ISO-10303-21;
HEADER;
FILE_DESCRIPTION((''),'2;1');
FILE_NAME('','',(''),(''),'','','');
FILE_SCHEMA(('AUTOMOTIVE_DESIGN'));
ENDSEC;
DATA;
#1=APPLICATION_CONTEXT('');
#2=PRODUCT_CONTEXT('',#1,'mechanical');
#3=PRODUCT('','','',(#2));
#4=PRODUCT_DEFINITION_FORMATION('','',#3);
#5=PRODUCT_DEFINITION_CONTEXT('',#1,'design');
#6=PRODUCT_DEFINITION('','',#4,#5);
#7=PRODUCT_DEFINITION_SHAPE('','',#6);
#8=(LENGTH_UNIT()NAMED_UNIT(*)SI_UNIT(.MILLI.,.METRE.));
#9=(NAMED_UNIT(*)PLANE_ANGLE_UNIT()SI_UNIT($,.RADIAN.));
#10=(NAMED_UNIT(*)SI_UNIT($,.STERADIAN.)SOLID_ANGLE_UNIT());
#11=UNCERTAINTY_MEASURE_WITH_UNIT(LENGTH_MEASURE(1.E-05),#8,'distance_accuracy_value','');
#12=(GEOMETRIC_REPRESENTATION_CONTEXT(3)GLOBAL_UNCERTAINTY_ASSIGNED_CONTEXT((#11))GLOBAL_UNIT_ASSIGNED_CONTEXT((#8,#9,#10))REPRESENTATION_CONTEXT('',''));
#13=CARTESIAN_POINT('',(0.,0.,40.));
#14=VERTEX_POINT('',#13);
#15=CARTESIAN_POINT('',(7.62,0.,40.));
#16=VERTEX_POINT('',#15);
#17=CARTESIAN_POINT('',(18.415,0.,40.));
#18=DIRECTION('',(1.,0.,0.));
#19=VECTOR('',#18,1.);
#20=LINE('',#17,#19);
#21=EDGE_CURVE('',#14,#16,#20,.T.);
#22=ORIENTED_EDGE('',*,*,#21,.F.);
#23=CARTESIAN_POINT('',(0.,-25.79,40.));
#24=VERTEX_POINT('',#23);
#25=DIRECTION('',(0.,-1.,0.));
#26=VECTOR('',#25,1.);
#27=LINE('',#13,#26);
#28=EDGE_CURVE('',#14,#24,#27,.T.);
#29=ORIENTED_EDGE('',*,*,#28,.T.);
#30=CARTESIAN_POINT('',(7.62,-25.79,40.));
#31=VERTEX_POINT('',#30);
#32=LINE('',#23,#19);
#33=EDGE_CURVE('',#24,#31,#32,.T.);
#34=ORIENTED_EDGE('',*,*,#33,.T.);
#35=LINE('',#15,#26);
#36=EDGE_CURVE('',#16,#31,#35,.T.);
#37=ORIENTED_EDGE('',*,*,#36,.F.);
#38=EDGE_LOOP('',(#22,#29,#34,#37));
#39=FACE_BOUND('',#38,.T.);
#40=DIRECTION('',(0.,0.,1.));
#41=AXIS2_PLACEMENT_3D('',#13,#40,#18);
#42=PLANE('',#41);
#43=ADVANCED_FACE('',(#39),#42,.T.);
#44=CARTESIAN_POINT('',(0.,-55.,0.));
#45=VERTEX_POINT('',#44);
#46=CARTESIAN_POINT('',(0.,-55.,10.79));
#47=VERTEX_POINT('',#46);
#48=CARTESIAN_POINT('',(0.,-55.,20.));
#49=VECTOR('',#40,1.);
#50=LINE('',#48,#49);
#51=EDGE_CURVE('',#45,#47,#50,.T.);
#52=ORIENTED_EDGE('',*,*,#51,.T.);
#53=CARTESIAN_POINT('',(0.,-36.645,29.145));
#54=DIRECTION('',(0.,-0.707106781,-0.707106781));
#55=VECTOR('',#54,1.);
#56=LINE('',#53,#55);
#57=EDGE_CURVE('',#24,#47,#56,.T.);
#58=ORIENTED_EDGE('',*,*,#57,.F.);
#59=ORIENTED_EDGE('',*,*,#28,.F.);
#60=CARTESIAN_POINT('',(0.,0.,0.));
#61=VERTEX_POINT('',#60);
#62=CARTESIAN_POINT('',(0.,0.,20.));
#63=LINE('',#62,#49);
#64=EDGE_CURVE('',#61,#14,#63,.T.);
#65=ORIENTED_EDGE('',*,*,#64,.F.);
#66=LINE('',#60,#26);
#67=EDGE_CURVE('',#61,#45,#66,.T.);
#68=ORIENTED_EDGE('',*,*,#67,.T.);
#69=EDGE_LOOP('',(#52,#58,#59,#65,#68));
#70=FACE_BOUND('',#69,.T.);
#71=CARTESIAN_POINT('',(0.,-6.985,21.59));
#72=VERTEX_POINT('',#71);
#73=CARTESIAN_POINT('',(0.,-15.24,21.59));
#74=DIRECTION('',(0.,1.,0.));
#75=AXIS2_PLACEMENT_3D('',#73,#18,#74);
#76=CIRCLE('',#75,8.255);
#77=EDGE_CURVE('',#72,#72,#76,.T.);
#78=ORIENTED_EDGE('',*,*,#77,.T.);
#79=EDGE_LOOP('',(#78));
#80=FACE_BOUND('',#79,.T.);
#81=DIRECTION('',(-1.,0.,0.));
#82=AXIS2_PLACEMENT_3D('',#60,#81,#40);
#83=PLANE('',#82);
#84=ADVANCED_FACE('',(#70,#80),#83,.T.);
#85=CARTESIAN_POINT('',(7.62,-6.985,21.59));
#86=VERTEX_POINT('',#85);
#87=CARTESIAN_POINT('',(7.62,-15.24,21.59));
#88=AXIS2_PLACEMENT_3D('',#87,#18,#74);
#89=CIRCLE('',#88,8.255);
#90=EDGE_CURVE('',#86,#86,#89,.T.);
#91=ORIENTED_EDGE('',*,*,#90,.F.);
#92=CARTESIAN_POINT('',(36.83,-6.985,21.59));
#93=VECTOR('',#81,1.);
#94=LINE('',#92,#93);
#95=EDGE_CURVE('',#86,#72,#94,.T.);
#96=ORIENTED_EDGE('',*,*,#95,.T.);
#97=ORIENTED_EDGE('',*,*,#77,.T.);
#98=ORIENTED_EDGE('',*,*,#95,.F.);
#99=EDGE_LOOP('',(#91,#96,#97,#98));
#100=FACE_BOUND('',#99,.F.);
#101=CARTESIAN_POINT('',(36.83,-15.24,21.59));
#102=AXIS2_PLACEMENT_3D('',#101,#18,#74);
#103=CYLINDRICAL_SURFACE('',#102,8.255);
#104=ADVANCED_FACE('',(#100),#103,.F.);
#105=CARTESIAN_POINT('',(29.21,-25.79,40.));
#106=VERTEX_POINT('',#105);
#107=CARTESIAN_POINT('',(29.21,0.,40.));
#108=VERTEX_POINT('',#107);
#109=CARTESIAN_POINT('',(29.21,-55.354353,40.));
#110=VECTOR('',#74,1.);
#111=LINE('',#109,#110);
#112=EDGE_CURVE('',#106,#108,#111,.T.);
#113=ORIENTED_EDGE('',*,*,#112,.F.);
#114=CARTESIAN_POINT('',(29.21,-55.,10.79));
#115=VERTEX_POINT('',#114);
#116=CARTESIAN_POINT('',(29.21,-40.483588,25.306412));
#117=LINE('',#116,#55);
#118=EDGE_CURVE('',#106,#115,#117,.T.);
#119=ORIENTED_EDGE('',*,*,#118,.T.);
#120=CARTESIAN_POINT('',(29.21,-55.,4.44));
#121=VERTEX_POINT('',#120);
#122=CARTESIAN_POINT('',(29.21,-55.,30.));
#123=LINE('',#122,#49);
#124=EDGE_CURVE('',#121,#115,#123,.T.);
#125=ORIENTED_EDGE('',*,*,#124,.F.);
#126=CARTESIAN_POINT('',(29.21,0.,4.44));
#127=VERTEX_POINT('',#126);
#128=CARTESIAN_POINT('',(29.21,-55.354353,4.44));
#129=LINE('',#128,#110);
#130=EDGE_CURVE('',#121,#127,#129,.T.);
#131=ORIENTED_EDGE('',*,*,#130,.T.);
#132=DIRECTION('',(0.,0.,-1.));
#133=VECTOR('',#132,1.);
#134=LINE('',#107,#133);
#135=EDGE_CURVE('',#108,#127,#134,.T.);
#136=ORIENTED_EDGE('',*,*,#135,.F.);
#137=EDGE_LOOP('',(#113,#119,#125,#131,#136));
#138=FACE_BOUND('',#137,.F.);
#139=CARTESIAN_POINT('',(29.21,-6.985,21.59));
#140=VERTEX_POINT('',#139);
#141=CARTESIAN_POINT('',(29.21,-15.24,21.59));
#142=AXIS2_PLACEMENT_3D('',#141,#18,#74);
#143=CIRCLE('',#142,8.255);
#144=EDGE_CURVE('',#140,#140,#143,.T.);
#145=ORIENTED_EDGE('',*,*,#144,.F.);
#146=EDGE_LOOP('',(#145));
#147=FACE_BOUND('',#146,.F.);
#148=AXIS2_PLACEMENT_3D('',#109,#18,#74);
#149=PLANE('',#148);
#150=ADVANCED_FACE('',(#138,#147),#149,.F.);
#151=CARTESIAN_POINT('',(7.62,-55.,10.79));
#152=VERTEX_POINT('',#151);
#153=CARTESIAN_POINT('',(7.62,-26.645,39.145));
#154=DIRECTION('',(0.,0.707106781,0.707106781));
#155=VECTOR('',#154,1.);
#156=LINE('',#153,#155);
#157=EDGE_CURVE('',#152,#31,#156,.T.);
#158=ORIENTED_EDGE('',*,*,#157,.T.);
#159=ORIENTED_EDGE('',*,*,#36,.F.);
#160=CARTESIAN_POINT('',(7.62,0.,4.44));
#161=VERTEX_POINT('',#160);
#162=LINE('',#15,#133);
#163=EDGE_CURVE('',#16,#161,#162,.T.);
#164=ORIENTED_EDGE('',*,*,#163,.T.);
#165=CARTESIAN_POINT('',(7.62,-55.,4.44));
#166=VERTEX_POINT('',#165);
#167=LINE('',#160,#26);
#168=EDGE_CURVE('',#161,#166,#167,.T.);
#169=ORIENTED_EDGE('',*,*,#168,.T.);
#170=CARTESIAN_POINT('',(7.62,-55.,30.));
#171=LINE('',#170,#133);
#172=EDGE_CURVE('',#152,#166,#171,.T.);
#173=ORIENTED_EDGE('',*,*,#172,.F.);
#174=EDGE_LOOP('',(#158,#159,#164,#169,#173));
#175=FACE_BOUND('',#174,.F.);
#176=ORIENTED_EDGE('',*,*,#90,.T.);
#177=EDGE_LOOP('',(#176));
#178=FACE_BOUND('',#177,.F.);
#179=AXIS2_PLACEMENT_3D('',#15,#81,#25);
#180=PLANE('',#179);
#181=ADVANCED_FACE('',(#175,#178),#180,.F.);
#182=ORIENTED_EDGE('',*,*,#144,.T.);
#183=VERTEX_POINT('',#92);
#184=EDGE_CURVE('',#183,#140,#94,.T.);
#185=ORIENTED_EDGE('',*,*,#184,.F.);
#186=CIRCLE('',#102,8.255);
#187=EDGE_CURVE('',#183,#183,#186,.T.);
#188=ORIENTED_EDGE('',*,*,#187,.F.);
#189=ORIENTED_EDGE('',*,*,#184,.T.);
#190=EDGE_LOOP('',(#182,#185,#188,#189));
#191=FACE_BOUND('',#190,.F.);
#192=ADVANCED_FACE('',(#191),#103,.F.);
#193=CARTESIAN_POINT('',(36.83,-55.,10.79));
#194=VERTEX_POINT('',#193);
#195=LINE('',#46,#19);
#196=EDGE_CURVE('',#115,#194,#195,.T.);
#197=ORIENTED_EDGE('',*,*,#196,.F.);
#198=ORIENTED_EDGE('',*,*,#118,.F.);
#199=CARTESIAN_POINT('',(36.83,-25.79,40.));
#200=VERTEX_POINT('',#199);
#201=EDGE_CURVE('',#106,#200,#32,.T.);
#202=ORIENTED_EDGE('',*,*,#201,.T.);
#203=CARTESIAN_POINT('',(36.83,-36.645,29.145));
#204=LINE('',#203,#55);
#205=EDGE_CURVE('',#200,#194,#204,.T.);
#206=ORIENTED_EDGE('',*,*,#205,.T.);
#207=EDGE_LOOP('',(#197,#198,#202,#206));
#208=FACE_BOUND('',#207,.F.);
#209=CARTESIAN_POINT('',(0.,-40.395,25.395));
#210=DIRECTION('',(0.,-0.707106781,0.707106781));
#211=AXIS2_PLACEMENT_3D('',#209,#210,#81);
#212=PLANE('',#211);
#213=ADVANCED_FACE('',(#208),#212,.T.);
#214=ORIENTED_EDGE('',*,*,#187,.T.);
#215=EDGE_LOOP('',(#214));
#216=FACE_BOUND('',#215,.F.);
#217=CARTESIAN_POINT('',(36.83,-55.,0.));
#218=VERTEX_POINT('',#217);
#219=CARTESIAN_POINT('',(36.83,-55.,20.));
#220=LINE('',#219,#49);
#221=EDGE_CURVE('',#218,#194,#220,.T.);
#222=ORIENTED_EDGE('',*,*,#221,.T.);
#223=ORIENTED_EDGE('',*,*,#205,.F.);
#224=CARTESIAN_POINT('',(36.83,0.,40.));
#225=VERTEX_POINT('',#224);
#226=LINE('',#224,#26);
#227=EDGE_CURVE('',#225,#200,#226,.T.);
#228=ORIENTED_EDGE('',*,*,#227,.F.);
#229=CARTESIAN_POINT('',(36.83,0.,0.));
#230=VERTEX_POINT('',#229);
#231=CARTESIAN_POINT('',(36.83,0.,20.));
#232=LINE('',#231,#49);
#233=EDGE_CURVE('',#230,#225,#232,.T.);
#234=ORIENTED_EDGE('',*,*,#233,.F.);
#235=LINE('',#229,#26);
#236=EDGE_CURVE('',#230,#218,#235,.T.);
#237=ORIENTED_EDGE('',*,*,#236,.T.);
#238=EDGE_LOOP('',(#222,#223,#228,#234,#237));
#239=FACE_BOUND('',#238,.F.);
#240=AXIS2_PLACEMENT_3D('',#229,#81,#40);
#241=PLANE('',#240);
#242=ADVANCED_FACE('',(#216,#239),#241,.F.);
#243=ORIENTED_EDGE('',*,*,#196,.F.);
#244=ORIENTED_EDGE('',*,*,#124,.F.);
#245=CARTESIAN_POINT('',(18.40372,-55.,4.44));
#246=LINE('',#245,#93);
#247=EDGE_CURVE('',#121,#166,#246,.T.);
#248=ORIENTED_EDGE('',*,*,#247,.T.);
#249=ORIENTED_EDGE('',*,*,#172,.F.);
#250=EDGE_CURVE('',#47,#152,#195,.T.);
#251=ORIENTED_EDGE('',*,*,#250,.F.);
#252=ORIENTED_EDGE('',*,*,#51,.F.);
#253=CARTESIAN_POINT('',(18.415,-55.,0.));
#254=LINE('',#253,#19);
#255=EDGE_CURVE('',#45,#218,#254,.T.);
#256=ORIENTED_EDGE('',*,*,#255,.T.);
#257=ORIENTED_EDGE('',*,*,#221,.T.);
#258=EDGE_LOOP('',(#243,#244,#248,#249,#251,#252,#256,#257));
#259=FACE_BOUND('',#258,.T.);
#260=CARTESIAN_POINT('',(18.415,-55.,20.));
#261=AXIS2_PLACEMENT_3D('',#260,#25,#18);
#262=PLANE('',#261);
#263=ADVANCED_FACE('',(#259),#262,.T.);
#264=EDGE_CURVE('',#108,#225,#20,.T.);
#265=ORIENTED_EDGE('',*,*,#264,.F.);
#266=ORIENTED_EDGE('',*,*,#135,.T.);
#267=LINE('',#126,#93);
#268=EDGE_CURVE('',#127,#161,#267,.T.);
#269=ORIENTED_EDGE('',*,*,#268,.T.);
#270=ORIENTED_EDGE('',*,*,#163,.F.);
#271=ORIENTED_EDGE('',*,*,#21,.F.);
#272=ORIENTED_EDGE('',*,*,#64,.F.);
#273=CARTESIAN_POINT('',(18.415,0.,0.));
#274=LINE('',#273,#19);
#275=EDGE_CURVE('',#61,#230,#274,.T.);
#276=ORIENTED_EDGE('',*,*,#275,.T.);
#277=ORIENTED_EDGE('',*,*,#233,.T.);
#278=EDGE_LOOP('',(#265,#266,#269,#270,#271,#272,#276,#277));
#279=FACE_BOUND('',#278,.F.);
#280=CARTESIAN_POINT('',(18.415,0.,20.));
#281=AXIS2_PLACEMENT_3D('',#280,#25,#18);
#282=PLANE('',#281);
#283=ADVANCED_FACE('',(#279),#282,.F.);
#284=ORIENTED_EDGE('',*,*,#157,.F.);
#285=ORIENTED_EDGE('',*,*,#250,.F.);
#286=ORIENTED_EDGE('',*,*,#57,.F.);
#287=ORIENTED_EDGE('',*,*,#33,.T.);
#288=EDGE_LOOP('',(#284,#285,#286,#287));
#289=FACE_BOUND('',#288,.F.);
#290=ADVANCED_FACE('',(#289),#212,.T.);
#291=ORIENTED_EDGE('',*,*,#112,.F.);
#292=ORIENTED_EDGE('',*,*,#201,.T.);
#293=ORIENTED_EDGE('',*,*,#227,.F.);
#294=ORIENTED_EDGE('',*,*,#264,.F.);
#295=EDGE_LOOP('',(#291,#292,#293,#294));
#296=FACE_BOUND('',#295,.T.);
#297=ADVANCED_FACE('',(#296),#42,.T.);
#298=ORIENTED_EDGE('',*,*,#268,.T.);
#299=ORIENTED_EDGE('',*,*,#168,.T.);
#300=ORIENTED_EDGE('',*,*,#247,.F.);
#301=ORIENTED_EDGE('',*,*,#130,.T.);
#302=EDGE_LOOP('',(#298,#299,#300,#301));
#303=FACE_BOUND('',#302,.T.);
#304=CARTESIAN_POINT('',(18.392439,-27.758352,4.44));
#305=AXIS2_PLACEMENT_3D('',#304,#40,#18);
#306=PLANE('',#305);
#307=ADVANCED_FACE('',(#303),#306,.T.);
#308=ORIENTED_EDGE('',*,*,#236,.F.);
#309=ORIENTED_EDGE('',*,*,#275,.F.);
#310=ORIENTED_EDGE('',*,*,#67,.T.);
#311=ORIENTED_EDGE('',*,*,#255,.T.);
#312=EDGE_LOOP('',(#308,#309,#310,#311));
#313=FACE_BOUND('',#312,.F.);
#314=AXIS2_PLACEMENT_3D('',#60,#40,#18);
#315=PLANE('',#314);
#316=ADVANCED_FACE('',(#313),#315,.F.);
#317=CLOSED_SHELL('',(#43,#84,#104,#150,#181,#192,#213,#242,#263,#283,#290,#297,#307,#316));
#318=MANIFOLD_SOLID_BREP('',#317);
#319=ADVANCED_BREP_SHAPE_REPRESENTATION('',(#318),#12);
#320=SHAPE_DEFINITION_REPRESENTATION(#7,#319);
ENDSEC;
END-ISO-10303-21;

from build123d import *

# Parameters (mm, degrees)
F0_W     = 36.83
F0_H     = 40
F1_DEPTH = 55
F2_SIZE  = 29.21
F4_DEPTH = 35.56
F5_R     = 8.255
F6_DEPTH = 50.8


with BuildPart() as f1:
    # F0 (on Front) → F1 (new body)
    with BuildSketch(Plane.XZ):
        with Locations((18.415, 20)):
            Rectangle(F0_W, F0_H)
    extrude(amount=F1_DEPTH)

    # F2
    f2_edges = [f1.edges().sort_by_distance(p)[0] for p in [
        (18.415, -55, 40),
    ]]
    chamfer(f2_edges, length=F2_SIZE)

    # F3 (on face) → F4 (cut)
    with BuildSketch(Plane.XY.offset(40)):
        Polygon((29.21, 0), (7.62, 0), (7.62, -55.67665), (29.21, -55.354353), align=None)
    extrude(amount=-F4_DEPTH, mode=Mode.SUBTRACT)

    # F5 (on face) → F6 (cut)
    with BuildSketch(Plane.YZ.offset(36.83)):
        with Locations((-15.24, 21.59)):
            Circle(F5_R)
    extrude(amount=-F6_DEPTH, mode=Mode.SUBTRACT)


solid = f1.part
